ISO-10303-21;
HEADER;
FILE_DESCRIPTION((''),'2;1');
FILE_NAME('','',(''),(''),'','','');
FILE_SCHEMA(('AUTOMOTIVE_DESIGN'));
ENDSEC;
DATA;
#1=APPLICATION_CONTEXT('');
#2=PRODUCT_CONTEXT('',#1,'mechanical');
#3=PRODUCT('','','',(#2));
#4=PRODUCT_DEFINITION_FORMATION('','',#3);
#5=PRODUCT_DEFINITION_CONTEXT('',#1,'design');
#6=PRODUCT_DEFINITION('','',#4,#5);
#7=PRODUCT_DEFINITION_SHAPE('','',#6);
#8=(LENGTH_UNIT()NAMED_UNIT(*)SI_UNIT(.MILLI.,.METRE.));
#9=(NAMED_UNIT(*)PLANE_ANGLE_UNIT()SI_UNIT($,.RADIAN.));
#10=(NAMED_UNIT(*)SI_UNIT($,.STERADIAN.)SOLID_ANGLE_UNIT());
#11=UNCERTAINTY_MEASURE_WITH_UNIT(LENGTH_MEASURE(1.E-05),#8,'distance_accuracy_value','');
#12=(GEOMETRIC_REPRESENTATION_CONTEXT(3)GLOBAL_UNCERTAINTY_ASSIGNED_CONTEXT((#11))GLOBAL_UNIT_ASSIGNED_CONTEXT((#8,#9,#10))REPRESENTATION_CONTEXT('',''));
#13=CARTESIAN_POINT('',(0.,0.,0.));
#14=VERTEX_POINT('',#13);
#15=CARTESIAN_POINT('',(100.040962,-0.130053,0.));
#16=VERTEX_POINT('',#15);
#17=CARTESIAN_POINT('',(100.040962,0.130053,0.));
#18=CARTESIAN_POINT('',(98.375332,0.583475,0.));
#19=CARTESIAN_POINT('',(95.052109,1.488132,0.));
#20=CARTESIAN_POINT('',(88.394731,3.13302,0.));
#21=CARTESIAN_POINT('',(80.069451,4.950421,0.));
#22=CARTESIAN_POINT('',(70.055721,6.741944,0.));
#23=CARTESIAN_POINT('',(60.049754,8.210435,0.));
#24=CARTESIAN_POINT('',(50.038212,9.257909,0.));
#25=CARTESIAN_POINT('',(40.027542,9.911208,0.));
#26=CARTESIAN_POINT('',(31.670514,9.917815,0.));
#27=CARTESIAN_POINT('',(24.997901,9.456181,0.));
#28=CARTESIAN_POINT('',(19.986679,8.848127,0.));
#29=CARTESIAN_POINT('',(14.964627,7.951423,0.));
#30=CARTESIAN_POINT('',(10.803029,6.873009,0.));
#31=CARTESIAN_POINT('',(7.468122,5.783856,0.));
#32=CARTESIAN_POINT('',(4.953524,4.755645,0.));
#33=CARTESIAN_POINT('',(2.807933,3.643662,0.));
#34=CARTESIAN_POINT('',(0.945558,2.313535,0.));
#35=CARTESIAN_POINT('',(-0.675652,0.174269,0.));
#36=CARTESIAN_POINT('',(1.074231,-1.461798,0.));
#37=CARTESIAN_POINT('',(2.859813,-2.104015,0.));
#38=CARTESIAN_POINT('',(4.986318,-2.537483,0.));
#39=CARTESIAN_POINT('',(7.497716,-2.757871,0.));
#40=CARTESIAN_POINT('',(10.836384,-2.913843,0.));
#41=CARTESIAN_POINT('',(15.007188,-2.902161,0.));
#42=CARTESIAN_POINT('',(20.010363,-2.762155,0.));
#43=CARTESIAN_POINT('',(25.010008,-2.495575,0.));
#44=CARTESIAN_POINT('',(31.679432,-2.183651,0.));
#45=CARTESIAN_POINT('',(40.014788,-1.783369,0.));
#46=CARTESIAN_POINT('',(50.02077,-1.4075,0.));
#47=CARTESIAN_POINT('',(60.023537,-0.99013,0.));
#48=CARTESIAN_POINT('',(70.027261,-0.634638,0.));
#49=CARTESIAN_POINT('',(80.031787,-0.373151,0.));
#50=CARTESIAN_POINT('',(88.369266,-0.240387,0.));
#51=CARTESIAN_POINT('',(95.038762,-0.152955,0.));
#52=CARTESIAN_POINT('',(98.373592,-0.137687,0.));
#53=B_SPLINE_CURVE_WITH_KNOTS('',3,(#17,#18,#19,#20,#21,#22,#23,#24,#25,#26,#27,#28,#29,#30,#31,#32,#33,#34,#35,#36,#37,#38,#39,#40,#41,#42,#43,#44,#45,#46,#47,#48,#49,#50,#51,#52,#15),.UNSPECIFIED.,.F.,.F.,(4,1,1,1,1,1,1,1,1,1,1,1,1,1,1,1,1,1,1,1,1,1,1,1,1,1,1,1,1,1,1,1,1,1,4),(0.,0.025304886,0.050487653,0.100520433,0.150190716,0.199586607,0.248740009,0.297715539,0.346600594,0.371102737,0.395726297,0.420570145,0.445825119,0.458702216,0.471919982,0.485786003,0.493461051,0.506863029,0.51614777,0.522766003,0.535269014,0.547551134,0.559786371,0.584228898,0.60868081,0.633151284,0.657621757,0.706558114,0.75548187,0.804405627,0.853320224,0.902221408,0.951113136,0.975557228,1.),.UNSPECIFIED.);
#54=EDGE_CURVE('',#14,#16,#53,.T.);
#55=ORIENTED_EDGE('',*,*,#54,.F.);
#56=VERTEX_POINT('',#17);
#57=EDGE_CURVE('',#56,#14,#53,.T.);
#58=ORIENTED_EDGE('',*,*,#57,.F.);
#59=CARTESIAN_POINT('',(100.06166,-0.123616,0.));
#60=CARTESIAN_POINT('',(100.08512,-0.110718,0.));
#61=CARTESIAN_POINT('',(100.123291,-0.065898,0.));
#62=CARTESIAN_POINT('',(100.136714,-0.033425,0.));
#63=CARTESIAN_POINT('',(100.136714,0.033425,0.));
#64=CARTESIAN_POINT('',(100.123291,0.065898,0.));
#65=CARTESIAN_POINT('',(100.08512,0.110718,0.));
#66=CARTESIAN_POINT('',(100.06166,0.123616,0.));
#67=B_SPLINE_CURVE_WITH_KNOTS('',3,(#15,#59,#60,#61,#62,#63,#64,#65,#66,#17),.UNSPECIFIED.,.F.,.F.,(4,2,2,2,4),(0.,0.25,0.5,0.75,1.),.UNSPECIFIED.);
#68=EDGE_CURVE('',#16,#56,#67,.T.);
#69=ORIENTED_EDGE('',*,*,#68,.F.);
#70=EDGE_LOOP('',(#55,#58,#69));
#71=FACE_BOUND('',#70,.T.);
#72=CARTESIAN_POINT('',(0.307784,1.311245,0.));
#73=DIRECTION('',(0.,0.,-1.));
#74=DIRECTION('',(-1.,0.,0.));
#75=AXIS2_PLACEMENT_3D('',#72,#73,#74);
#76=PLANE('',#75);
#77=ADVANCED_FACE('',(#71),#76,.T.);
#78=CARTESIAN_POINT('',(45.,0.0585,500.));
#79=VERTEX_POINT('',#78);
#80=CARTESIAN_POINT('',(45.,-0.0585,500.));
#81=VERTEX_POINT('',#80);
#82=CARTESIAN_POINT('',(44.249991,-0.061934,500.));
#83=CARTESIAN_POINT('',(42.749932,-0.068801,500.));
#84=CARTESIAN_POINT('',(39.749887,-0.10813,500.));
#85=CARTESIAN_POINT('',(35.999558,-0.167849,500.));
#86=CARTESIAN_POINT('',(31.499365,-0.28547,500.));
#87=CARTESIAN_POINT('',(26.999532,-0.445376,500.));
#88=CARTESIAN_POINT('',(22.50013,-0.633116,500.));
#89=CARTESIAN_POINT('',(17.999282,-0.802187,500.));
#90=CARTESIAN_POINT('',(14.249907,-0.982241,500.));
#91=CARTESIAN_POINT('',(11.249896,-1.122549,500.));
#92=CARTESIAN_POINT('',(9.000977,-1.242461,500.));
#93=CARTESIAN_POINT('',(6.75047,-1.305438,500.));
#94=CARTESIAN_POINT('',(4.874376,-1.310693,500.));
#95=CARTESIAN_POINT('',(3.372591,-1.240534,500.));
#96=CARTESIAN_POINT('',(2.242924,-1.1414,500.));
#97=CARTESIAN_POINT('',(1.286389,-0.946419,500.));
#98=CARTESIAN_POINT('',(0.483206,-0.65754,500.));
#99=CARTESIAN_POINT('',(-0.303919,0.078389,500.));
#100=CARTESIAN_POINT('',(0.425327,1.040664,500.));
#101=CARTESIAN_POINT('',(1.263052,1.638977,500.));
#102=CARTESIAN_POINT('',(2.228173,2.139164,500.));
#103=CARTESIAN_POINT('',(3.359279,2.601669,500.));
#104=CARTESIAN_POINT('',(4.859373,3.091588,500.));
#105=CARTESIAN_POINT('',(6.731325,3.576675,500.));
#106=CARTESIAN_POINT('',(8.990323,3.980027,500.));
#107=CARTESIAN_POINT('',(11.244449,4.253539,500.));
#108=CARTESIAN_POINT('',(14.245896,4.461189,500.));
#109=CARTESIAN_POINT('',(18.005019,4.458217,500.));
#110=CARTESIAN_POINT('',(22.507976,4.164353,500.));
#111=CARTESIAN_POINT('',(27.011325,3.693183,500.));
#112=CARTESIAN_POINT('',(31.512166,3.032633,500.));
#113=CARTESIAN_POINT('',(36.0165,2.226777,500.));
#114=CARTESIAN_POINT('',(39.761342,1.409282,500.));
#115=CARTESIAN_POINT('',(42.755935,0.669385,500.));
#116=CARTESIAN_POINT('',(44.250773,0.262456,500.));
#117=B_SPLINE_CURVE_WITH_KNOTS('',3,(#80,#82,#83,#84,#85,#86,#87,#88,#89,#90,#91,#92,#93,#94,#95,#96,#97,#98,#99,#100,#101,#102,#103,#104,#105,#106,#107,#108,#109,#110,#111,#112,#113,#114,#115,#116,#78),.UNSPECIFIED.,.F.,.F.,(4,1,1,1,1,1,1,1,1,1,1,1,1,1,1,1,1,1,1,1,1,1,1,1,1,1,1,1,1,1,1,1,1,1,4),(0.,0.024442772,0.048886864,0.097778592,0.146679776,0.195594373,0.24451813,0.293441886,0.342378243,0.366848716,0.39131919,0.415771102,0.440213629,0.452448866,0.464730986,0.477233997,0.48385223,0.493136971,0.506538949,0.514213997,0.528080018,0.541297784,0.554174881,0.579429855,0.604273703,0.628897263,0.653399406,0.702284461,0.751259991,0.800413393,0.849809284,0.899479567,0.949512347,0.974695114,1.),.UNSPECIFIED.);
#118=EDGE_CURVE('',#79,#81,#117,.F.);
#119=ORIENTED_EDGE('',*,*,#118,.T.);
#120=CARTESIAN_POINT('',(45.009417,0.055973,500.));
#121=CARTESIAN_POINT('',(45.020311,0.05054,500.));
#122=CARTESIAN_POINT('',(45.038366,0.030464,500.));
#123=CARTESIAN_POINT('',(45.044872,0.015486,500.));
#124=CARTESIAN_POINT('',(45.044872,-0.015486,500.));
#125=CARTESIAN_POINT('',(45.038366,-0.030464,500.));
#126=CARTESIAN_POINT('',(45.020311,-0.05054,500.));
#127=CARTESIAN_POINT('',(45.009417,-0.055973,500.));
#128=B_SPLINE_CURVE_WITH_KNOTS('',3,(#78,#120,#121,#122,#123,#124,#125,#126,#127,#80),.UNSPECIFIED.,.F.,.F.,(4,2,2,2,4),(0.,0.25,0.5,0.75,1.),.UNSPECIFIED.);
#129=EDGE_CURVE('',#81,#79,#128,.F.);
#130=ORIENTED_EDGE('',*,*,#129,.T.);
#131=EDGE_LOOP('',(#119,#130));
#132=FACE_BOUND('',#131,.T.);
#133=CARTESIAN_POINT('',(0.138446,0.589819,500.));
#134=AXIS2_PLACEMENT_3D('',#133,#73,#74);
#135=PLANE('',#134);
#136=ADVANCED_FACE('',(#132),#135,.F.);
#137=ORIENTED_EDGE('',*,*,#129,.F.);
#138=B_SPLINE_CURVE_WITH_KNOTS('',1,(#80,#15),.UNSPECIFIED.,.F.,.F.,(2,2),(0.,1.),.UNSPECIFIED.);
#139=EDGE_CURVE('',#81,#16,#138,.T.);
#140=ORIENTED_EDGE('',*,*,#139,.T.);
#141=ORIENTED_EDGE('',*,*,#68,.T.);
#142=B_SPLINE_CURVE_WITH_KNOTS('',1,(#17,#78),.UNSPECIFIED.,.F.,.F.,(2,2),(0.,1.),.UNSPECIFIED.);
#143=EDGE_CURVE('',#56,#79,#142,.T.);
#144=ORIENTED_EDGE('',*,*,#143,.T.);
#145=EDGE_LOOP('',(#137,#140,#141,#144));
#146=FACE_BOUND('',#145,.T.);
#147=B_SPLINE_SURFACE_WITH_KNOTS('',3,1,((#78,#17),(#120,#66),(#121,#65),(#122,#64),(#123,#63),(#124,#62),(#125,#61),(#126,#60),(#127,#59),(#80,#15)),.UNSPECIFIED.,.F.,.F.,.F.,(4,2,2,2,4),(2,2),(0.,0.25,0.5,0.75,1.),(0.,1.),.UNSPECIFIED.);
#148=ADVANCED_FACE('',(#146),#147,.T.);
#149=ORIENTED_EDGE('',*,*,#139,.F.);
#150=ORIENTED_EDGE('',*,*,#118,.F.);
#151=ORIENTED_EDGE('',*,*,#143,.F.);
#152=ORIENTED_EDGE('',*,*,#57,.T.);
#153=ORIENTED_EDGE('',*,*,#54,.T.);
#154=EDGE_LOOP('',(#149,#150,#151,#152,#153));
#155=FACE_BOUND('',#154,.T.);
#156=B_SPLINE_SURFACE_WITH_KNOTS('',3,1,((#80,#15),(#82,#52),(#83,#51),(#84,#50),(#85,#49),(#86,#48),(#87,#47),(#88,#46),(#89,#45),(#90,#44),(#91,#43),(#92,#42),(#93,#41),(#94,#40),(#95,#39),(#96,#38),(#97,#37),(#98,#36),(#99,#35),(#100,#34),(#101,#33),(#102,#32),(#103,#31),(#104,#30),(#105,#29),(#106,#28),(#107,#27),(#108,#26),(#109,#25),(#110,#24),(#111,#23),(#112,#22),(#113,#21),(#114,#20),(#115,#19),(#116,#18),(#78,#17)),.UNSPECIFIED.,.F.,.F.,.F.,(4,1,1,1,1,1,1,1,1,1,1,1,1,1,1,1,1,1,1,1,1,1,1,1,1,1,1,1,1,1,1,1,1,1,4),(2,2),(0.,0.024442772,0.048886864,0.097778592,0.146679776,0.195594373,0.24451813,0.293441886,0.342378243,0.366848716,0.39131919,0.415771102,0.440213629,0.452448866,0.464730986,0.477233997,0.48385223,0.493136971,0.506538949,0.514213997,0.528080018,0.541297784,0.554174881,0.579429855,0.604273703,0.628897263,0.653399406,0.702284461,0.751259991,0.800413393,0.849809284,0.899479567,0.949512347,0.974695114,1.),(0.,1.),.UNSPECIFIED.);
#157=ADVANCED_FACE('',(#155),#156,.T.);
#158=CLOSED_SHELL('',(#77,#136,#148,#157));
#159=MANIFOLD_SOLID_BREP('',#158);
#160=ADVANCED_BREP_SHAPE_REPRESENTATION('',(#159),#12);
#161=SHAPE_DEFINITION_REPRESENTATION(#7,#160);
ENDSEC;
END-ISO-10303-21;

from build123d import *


with BuildPart() as part:
    # Sketch2 for Loft1 → Loft1 section 0
    with BuildSketch(Plane.XY.offset(500)):
        with BuildLine():
            # circular arc as an exact rational Bezier (weights 1, cos(half-angle), 1)
            Bezier((44.999999916, 0.0585), (45.218011137, 0), (44.999999916, -0.0585), weights=[1, 0.259166523, 1])
            add(Edge.make_bspline(
                [(44.999999916, 0.0585), (44.250773182, 0.262456435), (42.755935382, 0.669385039), (39.761341997, 1.40928162), (36.016499759, 2.22677735), (31.512166398, 3.032632576), (27.011324898, 3.693182883), (22.507975569, 4.164353059), (18.005018622, 4.458217343), (14.245896075, 4.461189337), (11.244449368, 4.253539272), (8.990322945, 3.980026753), (6.731324744, 3.576675146), (4.859372551, 3.091587627), (3.359278701, 2.601669439), (2.228173261, 2.139164026), (1.263052468, 1.638976637), (0.425326829, 1.040664313), (-0.303918779, 0.078388768), (0.483205893, -0.657539781), (1.286388798, -0.946419104), (2.242924401, -1.141399927), (3.372590577, -1.240533637), (4.874376312, -1.310692515), (6.750469603, -1.305437567), (9.00097655, -1.242460866), (11.249895553, -1.122548998), (14.24990731, -0.982240654), (17.999281608, -0.802187252), (22.500129741, -0.633115703), (26.999531996, -0.44537616), (31.499364778, -0.28547021), (35.999558053, -0.167849351), (39.749887316, -0.108129858), (42.749931523, -0.068801486), (44.249990618, -0.061933767), (44.999999916, -0.0585)],
                knots=[0, 0, 0, 0, 0.025304886, 0.050487653, 0.100520433, 0.150190716, 0.199586607, 0.248740009, 0.297715539, 0.346600594, 0.371102737, 0.395726297, 0.420570145, 0.445825119, 0.458702216, 0.471919982, 0.485786003, 0.493461051, 0.506863029, 0.51614777, 0.522766003, 0.535269014, 0.547551134, 0.559786371, 0.584228898, 0.60868081, 0.633151284, 0.657621757, 0.706558114, 0.75548187, 0.804405627, 0.853320224, 0.902221408, 0.951113136, 0.975557228, 1, 1, 1, 1], degree=3))
        make_face()
    # Sketch1 for Loft1 → Loft1 section 1
    with BuildSketch(Plane.XY):
        with BuildLine():
            Bezier((100.04096197, 0.130053251), (100.459155973, 0), (100.04096197, -0.130053251), weights=[1, 0.29695923, 1])
            add(Edge.make_bspline(
                [(100.04096197, 0.130053251), (98.375331673, 0.583475429), (95.05210919, 1.48813163), (88.394731334, 3.133019761), (80.069450875, 4.95042108), (70.055721025, 6.741944018), (60.049754043, 8.210434867), (50.038211826, 9.257908596), (40.027541925, 9.911207834), (31.670514448, 9.91781497), (24.997900748, 9.456181362), (19.986679057, 8.848126795), (14.964626755, 7.951422733), (10.803029011, 6.873008906), (7.468121632, 5.783855864), (4.953524376, 4.755645054), (2.807932982, 3.643662215), (0.945557892, 2.313534648), (-0.675651712, 0.174268617), (1.074230721, -1.461798052), (2.859812736, -2.104015061), (4.986318113, -2.537483265), (7.497715695, -2.757870636), (10.836384359, -2.913843118), (15.007188314, -2.902160673), (20.01036343, -2.762155121), (25.01000834, -2.495575151), (31.679431955, -2.183651112), (40.014787783, -1.783368545), (50.02076951, -1.40750009), (60.023536859, -0.990130213), (70.027261326, -0.634638099), (80.031787218, -0.373151346), (88.369266059, -0.240387), (95.038761815, -0.152954819), (98.373591929, -0.137686969), (100.04096197, -0.130053251)],
                knots=[0, 0, 0, 0, 0.025304886, 0.050487653, 0.100520433, 0.150190716, 0.199586607, 0.248740009, 0.297715539, 0.346600594, 0.371102737, 0.395726297, 0.420570145, 0.445825119, 0.458702216, 0.471919982, 0.485786003, 0.493461051, 0.506863029, 0.51614777, 0.522766003, 0.535269014, 0.547551134, 0.559786371, 0.584228898, 0.60868081, 0.633151284, 0.657621757, 0.706558114, 0.75548187, 0.804405627, 0.853320224, 0.902221408, 0.951113136, 0.975557228, 1, 1, 1, 1], degree=3))
        make_face()
    loft()


solid = part.part
